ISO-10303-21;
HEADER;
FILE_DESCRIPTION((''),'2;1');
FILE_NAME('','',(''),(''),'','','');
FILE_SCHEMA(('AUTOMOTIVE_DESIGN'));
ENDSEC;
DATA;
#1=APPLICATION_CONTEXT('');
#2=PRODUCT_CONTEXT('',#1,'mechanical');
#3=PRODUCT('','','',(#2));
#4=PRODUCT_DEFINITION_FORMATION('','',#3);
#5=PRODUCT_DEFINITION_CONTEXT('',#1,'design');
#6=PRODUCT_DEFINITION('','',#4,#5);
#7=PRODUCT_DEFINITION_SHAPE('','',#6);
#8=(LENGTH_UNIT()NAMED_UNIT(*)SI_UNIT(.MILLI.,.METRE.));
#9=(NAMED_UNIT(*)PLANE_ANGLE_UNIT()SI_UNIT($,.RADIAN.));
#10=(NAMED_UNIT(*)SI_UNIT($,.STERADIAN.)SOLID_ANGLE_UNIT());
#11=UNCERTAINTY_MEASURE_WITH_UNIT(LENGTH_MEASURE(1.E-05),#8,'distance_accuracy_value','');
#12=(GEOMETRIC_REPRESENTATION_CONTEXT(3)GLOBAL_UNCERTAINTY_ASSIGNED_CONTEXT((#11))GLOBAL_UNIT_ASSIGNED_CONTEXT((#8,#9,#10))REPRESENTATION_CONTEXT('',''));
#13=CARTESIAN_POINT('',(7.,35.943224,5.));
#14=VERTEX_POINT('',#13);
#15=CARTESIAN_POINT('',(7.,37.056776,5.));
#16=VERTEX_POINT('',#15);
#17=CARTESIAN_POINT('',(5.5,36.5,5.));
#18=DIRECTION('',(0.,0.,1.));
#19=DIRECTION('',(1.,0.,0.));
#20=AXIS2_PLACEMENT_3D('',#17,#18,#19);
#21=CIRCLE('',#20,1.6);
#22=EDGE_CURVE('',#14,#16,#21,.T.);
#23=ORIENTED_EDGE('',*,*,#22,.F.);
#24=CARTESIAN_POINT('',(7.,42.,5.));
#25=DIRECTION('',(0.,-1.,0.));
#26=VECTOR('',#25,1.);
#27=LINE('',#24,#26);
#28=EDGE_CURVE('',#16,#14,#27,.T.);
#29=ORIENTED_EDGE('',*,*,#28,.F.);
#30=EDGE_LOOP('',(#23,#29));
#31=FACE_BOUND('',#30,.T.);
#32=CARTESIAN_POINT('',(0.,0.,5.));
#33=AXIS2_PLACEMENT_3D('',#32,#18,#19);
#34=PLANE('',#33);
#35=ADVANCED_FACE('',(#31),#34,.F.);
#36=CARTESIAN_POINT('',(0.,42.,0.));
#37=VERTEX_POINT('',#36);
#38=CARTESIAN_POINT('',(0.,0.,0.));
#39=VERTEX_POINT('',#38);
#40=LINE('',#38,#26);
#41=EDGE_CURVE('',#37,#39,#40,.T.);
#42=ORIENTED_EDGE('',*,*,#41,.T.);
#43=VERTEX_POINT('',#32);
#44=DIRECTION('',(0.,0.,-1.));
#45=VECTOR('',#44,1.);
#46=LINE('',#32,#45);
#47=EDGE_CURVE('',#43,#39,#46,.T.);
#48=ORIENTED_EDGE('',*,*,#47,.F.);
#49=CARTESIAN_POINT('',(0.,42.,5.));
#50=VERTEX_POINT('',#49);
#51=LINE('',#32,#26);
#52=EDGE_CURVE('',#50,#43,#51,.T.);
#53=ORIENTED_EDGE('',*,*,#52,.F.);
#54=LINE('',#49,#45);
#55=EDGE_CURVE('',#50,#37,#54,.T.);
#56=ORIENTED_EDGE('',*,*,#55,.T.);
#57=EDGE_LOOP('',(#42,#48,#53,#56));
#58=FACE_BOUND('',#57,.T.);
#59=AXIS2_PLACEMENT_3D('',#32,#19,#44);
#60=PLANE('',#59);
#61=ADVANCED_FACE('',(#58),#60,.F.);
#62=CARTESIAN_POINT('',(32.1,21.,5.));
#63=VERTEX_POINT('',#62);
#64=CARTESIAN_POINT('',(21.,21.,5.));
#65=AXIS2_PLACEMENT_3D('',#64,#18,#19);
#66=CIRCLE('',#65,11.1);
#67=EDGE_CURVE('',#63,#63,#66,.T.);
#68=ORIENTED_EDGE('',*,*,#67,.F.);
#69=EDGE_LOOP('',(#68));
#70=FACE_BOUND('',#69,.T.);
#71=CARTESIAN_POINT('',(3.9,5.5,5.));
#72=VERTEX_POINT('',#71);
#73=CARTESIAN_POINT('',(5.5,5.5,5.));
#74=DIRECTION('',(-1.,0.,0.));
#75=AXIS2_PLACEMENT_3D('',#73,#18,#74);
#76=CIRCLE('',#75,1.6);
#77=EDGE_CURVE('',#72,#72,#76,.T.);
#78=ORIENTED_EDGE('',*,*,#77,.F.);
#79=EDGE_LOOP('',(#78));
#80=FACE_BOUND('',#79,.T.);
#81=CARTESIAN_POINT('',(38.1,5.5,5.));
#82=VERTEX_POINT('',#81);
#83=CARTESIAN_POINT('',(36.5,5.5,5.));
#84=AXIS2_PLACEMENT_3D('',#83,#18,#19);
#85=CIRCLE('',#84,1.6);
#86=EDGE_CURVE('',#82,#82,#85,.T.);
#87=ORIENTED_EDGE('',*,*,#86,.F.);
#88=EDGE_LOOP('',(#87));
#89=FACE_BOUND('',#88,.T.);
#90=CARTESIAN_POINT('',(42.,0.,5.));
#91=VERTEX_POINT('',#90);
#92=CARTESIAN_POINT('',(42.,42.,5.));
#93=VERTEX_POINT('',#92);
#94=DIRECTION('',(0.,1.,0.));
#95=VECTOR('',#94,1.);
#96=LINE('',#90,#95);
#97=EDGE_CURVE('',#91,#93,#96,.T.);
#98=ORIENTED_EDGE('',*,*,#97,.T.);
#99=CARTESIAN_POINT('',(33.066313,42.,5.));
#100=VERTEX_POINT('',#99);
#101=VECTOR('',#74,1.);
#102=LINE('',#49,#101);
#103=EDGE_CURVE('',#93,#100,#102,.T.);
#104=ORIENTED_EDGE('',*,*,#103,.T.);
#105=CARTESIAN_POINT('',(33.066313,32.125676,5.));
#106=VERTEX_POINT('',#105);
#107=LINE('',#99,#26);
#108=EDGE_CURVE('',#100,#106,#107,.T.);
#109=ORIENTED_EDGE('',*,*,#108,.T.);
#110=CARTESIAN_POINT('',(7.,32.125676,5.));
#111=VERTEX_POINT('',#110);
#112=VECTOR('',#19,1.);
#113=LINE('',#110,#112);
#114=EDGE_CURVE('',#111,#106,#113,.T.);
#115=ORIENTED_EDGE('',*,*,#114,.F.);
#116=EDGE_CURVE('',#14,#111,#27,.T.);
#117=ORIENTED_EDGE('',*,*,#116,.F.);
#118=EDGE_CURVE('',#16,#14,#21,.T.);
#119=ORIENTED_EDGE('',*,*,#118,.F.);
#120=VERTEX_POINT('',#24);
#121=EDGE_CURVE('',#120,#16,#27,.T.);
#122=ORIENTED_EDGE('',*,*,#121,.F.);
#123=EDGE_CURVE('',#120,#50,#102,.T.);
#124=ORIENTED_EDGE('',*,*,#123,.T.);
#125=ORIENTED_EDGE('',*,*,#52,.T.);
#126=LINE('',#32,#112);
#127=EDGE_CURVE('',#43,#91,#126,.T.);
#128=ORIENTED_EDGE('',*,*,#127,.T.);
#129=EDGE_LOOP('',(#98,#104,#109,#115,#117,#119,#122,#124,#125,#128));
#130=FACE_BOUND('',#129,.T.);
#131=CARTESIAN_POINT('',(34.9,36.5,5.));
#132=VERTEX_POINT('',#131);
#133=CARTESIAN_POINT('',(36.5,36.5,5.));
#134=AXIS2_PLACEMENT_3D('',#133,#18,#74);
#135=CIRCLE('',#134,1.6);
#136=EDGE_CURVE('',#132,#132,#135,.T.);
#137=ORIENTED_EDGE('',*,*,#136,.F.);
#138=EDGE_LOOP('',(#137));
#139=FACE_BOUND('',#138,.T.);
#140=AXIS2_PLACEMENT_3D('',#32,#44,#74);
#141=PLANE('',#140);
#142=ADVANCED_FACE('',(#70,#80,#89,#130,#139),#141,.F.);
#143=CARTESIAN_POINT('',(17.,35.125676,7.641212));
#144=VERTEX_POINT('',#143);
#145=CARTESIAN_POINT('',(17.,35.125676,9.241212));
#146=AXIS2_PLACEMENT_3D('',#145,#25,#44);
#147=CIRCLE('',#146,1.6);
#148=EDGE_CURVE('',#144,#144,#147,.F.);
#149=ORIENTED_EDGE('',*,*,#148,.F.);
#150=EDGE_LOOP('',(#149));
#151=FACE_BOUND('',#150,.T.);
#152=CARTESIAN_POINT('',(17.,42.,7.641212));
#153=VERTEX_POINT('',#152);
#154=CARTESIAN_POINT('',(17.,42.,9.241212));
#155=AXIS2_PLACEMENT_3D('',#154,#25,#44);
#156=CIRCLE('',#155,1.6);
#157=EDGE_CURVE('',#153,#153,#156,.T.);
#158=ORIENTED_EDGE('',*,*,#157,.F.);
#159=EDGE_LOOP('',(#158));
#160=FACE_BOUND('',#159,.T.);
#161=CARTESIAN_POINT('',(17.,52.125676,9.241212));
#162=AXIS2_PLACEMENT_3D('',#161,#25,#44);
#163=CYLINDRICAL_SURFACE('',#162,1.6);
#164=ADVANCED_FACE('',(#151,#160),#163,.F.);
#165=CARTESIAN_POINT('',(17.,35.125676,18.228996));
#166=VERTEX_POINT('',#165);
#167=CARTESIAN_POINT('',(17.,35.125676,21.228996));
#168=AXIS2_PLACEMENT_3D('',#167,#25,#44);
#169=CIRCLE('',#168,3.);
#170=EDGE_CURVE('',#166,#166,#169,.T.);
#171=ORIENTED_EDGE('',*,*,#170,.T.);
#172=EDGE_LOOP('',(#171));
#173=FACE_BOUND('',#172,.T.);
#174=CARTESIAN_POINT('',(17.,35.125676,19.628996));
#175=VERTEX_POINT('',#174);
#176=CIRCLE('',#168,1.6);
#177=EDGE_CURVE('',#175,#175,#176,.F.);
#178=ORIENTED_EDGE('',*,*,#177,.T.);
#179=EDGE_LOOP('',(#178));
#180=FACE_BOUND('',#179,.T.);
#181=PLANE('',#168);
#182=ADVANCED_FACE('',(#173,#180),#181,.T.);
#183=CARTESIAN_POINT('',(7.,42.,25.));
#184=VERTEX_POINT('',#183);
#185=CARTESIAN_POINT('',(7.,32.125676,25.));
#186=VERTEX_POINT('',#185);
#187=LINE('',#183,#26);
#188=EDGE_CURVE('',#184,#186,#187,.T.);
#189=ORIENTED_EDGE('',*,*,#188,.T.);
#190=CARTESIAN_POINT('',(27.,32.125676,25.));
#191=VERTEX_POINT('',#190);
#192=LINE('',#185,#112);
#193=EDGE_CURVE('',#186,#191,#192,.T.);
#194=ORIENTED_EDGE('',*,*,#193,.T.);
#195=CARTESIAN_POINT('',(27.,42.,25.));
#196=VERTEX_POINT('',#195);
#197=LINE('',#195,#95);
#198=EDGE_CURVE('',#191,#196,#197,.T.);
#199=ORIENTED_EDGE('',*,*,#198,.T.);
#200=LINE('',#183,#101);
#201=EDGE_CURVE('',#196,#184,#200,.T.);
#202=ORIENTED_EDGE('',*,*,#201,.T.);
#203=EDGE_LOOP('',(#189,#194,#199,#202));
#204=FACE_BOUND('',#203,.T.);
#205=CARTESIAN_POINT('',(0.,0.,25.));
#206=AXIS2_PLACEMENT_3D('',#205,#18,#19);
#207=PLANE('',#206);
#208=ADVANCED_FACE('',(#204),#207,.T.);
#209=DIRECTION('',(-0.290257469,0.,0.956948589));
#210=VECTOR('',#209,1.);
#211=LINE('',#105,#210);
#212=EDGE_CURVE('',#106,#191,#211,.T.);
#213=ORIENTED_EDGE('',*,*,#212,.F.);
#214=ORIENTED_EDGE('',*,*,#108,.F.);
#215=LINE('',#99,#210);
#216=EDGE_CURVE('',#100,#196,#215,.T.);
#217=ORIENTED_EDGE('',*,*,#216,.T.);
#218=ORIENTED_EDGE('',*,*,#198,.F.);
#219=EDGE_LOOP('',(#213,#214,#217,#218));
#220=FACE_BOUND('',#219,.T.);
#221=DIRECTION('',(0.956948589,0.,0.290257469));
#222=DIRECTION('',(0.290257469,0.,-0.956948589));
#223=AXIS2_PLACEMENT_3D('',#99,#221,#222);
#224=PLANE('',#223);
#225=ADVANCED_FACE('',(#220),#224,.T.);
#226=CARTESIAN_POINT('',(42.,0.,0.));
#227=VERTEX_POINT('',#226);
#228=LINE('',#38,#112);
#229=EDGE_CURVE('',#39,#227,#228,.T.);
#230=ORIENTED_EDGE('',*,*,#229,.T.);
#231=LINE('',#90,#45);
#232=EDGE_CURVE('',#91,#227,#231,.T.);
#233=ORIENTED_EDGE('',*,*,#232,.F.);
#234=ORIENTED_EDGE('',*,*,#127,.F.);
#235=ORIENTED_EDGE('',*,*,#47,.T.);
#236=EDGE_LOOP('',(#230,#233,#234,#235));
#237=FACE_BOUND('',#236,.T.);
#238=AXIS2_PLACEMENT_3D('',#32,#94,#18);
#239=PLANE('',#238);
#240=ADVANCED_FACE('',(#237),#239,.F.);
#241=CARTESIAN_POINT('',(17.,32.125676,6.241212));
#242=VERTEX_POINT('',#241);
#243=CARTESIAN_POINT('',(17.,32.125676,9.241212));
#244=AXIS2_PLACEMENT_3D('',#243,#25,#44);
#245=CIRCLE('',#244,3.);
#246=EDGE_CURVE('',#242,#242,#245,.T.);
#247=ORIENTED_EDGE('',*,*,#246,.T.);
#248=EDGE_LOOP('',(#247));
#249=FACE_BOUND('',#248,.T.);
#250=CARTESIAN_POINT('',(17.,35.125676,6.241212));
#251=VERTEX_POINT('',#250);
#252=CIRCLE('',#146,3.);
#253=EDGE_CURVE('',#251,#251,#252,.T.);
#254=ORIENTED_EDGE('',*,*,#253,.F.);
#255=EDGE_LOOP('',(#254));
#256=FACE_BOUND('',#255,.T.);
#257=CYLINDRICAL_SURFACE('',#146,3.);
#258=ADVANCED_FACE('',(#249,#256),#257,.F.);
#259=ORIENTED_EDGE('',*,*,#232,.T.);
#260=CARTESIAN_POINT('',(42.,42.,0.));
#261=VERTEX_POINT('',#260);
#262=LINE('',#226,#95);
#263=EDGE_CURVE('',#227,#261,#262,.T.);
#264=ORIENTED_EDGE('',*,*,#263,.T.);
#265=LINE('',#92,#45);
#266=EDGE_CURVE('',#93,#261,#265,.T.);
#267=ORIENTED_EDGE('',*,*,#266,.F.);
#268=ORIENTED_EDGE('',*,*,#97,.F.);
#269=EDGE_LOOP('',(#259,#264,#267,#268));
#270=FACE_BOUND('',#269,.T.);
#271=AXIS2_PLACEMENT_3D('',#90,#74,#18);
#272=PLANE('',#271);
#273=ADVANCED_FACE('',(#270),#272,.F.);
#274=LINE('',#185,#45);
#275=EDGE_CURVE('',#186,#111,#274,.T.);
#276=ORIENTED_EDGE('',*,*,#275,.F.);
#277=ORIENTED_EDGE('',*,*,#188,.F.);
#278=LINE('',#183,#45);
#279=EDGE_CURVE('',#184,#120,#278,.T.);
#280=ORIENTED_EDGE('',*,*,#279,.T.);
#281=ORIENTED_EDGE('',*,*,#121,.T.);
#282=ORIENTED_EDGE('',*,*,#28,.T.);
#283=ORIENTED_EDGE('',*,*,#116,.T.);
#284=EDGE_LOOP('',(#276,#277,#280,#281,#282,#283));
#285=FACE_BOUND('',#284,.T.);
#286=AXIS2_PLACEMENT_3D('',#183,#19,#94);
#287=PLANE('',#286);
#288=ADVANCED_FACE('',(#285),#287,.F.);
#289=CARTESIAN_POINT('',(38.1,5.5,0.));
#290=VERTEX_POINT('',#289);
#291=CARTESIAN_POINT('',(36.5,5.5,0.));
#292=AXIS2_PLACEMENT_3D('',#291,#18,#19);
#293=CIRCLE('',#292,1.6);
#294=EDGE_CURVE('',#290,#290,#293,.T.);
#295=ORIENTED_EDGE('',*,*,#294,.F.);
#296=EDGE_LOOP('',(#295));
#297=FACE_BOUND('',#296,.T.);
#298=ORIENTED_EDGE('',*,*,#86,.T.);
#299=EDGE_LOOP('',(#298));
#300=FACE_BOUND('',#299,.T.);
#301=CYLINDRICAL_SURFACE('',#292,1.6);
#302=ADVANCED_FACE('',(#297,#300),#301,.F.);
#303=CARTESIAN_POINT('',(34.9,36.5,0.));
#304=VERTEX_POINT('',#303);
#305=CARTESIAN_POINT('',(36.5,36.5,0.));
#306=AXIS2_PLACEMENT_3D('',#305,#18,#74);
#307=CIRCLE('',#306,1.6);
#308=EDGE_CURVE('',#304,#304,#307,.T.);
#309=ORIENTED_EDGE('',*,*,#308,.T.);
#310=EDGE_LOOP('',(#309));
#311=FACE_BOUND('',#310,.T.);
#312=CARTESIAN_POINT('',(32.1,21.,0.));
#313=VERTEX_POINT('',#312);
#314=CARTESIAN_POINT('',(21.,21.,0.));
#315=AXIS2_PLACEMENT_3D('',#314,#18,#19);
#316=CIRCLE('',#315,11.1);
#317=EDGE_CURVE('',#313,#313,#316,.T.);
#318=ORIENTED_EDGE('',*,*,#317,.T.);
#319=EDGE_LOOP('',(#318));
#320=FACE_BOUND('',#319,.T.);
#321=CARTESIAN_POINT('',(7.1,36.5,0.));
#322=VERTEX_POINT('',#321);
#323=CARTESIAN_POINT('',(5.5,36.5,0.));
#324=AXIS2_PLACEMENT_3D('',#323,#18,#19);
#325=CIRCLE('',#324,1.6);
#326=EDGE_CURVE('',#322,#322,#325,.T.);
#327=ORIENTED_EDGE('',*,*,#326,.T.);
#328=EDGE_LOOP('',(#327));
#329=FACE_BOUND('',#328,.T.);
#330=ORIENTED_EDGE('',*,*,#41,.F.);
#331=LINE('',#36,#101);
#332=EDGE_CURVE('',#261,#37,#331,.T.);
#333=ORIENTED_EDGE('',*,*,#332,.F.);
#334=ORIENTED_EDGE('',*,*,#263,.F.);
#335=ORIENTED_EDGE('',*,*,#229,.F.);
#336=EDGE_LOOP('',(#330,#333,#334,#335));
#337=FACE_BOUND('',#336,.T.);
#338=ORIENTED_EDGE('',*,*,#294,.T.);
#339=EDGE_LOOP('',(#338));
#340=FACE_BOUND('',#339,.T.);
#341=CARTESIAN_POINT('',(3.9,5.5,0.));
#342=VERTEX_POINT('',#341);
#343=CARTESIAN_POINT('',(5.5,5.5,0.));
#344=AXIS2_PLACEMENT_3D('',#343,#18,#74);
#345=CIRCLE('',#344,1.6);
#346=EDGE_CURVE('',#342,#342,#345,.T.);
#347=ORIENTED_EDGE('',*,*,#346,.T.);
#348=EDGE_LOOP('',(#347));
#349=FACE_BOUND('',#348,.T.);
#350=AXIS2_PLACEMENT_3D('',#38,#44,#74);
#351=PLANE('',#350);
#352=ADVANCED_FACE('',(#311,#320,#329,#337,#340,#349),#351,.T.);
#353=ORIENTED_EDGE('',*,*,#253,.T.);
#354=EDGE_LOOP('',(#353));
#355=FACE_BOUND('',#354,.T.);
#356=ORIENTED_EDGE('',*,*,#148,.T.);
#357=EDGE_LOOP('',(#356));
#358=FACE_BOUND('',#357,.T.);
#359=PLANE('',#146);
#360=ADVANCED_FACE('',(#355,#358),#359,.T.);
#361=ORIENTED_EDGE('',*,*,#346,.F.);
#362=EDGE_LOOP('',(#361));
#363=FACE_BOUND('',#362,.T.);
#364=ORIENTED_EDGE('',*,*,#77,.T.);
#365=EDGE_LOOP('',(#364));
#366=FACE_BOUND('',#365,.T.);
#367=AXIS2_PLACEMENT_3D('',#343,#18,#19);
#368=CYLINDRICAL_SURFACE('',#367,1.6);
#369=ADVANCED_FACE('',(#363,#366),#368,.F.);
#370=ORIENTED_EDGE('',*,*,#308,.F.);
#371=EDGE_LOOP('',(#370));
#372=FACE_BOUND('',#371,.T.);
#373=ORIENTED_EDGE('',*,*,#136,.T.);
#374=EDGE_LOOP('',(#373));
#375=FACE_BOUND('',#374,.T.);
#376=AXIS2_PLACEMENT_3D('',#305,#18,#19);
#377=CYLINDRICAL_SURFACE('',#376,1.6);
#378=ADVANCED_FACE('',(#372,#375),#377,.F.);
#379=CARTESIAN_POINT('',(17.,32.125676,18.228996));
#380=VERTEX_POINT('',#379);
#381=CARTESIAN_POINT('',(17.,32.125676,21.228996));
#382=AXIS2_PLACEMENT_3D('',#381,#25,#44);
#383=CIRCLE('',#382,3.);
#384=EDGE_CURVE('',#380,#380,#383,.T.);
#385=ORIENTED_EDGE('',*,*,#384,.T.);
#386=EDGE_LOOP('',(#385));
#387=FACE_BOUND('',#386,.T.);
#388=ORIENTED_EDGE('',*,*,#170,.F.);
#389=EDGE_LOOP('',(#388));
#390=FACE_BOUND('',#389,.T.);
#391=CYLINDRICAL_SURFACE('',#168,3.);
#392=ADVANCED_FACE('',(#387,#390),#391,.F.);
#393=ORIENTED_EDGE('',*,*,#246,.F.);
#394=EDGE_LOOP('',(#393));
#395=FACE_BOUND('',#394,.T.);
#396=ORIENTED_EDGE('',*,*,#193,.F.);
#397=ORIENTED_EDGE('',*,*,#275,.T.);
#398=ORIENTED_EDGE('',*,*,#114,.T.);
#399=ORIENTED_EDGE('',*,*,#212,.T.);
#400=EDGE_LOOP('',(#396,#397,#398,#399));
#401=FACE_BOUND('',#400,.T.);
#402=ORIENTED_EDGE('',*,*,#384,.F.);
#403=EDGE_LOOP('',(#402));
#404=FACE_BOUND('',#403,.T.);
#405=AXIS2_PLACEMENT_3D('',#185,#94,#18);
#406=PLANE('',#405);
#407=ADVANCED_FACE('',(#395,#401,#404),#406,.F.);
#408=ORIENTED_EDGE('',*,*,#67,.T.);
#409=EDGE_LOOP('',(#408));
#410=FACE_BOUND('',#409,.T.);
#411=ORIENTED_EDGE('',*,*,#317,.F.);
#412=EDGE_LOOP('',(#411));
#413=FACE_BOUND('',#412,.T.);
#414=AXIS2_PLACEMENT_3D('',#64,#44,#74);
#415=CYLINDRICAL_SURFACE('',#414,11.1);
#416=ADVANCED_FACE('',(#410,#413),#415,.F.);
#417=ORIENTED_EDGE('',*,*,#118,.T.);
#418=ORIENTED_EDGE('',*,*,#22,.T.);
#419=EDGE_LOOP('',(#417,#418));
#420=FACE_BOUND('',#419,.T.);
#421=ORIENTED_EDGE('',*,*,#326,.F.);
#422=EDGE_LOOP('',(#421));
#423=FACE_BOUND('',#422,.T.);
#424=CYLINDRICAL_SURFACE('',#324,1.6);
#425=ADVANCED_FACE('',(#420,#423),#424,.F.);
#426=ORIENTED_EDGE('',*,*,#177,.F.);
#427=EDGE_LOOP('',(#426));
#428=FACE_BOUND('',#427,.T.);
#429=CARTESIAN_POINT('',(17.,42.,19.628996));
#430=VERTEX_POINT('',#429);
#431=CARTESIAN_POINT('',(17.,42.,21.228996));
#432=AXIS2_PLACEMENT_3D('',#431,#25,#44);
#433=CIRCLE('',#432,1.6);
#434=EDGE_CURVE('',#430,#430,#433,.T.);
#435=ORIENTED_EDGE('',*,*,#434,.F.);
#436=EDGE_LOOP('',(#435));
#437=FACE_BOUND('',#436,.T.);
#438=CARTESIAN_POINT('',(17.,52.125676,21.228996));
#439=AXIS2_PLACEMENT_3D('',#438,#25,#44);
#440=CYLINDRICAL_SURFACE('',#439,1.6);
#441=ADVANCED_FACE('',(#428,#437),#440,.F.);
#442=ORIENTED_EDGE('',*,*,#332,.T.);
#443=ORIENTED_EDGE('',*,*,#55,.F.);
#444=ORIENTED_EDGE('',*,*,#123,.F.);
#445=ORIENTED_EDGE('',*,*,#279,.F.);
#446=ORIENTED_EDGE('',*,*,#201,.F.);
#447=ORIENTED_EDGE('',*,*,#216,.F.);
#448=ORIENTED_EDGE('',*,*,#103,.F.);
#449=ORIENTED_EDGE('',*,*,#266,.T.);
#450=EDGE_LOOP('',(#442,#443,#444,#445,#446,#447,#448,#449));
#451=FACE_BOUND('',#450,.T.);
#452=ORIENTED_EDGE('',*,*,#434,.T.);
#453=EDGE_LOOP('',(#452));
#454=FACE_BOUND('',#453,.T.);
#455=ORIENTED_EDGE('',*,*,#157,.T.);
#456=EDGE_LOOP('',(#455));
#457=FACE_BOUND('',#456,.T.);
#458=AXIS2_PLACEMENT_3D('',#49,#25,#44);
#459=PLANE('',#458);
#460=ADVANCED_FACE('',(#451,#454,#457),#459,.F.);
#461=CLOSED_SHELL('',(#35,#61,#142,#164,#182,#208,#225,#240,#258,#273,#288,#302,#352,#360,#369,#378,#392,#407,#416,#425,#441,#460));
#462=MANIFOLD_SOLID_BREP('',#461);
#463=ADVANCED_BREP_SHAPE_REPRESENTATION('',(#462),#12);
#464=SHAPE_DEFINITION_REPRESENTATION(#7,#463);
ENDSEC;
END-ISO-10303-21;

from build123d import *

# Parameters (mm, degrees)
SKETCH_1_W          = 42
SKETCH_1_H          = 42
SKETCH_1_R          = 11.1
EXTRUDE_1_DEPTH     = 5
SKETCH_2_R          = 1.6
CUT_EXTRUDE_1_DEPTH = 60.607046563
SKETCH_4_W          = 20
SKETCH_4_H          = 9.874323587
EXTRUDE_2_DEPTH     = 20
SKETCH_5_R          = 1.6
CUT_EXTRUDE_2_DEPTH = 20
SKETCH_6_R          = 3
CUT_EXTRUDE_3_DEPTH = 3
EXTRUDE_3_DEPTH     = 9.874324


with BuildPart() as part:
    # 草图1 → 凸台-拉伸1 (new body)
    with BuildSketch(Plane.XY):
        with Locations((21, 21)):
            Rectangle(SKETCH_1_W, SKETCH_1_H)
        with Locations((21, 21)):
            Circle(SKETCH_1_R, mode=Mode.SUBTRACT)
    extrude(amount=EXTRUDE_1_DEPTH)

    # 草图2 → 切除-拉伸1 (cut, through all)
    with BuildSketch(Plane.XY.offset(5)):
        with Locations(Location((36.5, 36.5, 0), (0, 0, 180))):
            Circle(SKETCH_2_R)
        with Locations((5.5, 36.5)):
            Circle(SKETCH_2_R)
        with Locations((36.5, 5.5)):
            Circle(SKETCH_2_R)
        with Locations(Location((5.5, 5.5, 0), (0, 0, 180))):
            Circle(SKETCH_2_R)
    extrude(amount=-CUT_EXTRUDE_1_DEPTH, mode=Mode.SUBTRACT)

    # 草图4 → 凸台-拉伸2 (add)
    with BuildSketch(Plane.XY.offset(5)):
        with Locations((17, 37.062838207)):
            Rectangle(SKETCH_4_W, SKETCH_4_H)
    extrude(amount=EXTRUDE_2_DEPTH)

    # 草图5 → 切除-拉伸2 (cut)
    with BuildSketch(Plane.XZ.offset(-32.125676413)):
        with Locations(Location((17, 21.228996284, 0), (0, 0, 270))):
            Circle(SKETCH_5_R)
        with Locations(Location((17, 9.241211578, 0), (0, 0, 270))):
            Circle(SKETCH_5_R)
    extrude(amount=-CUT_EXTRUDE_2_DEPTH, mode=Mode.SUBTRACT)

    # 草图6 → 切除-拉伸3 (cut)
    with BuildSketch(Plane.XZ.offset(-32.125676413)):
        with Locations(Location((17, 21.228996284, 0), (0, 0, 270))):
            Circle(SKETCH_6_R)
        with Locations(Location((17, 9.241211578, 0), (0, 0, 270))):
            Circle(SKETCH_6_R)
    extrude(amount=-CUT_EXTRUDE_3_DEPTH, mode=Mode.SUBTRACT)

    # 草图7 → 凸台-拉伸3 (add)
    with BuildSketch(Plane.XZ.offset(-32.125676413)):
        Polygon((27, 5), (33.066312707, 5), (27, 25), align=None)
    extrude(amount=-EXTRUDE_3_DEPTH)


solid = part.part
